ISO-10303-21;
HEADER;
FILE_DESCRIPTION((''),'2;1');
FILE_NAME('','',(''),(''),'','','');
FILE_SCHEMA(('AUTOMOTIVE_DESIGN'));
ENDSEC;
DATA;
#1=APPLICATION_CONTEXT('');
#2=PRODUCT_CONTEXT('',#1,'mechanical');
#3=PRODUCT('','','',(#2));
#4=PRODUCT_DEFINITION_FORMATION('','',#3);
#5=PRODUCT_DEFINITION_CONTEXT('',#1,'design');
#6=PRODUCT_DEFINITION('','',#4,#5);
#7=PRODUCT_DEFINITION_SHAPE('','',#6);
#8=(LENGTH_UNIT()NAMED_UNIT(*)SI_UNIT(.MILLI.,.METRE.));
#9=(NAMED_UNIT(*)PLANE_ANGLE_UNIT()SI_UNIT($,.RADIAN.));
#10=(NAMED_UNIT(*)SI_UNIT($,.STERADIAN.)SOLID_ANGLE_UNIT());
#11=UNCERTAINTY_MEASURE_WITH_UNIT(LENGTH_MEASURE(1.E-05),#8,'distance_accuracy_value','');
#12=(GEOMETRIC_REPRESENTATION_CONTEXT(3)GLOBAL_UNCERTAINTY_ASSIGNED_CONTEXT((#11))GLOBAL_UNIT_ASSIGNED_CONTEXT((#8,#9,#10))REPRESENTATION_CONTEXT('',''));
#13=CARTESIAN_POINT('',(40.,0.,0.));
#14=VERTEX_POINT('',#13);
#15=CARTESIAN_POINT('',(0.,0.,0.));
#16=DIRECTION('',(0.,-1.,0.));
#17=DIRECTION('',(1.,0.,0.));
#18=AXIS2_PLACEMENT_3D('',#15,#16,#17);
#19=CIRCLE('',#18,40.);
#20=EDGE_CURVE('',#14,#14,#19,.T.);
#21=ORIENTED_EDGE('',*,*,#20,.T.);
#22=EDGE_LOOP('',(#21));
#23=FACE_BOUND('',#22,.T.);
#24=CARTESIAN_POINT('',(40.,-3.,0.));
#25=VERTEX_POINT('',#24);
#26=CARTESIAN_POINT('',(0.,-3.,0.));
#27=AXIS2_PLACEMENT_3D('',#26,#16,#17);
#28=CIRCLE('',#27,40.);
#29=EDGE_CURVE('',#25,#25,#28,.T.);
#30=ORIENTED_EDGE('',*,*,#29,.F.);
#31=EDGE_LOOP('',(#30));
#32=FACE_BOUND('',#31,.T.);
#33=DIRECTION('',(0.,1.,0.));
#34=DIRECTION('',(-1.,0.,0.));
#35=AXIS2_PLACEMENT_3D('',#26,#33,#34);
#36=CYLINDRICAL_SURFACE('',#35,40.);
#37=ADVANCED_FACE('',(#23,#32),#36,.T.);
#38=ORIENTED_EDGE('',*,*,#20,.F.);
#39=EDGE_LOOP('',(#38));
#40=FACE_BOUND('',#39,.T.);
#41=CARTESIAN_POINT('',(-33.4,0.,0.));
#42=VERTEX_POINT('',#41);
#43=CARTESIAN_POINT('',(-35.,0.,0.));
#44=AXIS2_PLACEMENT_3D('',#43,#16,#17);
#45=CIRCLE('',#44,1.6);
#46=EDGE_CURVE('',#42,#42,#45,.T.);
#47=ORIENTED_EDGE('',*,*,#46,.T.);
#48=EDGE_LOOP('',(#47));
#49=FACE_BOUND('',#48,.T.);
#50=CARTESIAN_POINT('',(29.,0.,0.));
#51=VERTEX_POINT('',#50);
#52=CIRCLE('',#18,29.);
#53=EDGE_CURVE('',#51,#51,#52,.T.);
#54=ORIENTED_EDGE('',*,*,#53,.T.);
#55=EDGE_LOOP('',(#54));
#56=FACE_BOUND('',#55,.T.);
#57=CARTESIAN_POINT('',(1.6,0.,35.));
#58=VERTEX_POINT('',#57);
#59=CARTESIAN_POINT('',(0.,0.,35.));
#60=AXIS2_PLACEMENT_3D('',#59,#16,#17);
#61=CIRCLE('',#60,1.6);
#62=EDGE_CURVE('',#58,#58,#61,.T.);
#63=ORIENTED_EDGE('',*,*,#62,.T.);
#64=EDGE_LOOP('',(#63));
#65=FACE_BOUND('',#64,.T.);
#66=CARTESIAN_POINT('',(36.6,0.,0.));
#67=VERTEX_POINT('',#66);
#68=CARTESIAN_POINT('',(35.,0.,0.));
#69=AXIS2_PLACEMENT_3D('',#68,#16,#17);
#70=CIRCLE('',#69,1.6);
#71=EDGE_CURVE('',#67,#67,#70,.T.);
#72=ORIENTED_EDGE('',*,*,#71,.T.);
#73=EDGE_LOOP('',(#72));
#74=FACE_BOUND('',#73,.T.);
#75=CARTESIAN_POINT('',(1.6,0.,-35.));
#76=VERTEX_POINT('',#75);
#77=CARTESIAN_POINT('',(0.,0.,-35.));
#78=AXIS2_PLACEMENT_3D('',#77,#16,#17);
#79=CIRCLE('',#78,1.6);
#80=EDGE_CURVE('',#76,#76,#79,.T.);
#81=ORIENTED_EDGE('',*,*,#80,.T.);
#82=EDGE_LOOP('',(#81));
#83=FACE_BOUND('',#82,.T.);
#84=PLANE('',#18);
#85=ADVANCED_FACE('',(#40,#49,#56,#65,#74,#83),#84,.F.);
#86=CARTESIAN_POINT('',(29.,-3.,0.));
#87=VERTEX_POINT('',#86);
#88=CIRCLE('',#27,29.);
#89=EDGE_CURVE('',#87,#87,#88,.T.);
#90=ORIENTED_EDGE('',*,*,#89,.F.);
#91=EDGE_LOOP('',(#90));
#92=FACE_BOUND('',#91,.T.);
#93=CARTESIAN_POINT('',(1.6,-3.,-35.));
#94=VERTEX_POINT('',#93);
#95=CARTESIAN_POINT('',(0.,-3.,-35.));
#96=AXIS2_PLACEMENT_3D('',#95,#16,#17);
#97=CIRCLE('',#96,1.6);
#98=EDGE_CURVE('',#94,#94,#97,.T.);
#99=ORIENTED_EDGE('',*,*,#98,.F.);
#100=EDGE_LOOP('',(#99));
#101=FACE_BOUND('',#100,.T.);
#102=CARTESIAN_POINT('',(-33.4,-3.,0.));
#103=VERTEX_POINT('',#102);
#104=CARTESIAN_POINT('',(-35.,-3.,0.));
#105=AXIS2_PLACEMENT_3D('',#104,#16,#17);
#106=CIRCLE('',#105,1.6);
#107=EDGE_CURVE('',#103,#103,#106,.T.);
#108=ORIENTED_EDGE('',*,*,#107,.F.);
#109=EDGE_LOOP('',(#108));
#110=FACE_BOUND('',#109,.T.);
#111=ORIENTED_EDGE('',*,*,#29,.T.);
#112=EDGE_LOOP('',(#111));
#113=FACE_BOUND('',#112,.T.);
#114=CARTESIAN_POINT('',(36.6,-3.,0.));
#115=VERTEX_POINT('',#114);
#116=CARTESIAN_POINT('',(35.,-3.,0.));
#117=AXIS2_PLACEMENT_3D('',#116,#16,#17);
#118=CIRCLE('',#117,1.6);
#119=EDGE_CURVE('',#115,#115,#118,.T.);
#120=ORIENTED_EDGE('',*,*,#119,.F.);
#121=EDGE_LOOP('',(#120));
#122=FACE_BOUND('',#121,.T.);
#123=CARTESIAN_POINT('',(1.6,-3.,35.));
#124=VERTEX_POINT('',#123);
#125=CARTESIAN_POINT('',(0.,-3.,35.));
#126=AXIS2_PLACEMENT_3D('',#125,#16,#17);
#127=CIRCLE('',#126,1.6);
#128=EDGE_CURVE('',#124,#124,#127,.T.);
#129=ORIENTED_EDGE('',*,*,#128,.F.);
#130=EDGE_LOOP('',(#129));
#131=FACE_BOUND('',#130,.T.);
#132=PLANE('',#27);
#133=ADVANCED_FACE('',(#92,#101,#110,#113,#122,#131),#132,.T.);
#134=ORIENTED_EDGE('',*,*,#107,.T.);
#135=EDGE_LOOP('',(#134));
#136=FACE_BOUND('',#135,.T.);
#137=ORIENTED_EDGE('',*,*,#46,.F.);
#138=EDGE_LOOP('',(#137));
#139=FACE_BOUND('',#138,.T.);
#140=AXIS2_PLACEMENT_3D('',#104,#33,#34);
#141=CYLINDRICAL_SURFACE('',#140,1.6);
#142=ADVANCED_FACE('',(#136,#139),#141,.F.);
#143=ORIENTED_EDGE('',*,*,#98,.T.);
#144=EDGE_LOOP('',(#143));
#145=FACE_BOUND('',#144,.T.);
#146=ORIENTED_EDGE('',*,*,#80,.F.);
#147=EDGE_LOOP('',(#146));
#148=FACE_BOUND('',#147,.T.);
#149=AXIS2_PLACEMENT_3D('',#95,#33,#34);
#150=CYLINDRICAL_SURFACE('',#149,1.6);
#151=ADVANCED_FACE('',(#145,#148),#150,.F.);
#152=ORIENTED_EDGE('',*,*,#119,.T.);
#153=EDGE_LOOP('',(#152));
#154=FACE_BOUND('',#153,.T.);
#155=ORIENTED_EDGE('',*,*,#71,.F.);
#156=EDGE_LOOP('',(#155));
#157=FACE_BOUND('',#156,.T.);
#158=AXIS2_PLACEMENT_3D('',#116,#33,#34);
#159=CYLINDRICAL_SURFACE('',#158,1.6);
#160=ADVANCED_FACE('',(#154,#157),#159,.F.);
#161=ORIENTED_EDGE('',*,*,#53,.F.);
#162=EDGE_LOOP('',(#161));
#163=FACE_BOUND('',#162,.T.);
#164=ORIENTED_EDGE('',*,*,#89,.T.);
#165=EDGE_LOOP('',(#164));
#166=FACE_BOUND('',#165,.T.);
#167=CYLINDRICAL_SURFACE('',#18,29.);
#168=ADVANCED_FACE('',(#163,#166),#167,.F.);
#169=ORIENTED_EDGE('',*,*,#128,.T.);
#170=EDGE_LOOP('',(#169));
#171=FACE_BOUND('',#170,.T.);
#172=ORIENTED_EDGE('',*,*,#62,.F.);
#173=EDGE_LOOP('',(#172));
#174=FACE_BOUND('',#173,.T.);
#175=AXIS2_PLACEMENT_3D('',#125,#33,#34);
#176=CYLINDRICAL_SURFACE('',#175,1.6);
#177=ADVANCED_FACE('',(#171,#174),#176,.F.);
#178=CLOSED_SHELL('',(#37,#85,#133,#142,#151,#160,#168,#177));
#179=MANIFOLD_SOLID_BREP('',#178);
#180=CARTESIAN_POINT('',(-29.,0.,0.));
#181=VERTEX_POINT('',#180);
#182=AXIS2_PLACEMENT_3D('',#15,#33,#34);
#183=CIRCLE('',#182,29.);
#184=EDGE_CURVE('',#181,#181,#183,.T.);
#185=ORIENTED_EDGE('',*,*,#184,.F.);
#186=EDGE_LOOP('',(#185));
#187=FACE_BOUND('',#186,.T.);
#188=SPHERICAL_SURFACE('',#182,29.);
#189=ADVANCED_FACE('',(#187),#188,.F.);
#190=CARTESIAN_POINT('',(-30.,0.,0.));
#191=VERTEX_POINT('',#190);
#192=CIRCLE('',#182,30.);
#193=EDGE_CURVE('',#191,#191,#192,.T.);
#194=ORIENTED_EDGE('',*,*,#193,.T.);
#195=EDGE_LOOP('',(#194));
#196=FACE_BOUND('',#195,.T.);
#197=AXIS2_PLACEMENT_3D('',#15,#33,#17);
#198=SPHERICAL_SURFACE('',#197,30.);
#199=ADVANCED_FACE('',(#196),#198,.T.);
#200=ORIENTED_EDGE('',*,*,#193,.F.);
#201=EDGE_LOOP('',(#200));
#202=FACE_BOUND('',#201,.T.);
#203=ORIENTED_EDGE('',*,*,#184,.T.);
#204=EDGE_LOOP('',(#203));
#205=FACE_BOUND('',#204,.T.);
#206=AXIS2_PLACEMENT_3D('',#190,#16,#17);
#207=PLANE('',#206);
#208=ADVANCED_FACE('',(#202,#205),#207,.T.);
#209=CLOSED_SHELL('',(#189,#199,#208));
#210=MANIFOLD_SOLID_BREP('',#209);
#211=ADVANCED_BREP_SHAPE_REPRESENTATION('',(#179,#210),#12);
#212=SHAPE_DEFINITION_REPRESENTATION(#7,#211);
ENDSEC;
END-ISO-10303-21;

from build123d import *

# Parameters (mm, degrees)
SKETCH_2_R          = 40
SKETCH_2_R_2        = 28.5
SKETCH_2_R_3        = 1.6
EXTRUDE_1_DEPTH     = 3
SKETCH_3_R          = 29
CUT_EXTRUDE_1_DEPTH = 3


with BuildPart() as part:
    # 草图1 → 旋转1 (revolve)
    with BuildSketch(Plane.XY):
        with BuildLine():
            Line((-30, 0), (-29, 0))
            ThreePointArc((-29, 0), (-20.506096654, 20.506096654), (0, 29))
            Line((0, 29), (0, 30))
            ThreePointArc((0, 30), (-21.213203436, 21.213203436), (-30, 0))
        make_face()
    revolve(axis=Axis((0, 29, 0), (0, -1, 0)))


with BuildPart() as body_2:
    # 草图2 → 凸台-拉伸1 (new body)
    with BuildSketch(Plane.XZ):
        Circle(SKETCH_2_R)
        Circle(SKETCH_2_R_2, mode=Mode.SUBTRACT)
        with Locations((0, 35)):
            Circle(SKETCH_2_R_3, mode=Mode.SUBTRACT)
        with Locations((35, 0)):
            Circle(SKETCH_2_R_3, mode=Mode.SUBTRACT)
        with Locations((0, -35)):
            Circle(SKETCH_2_R_3, mode=Mode.SUBTRACT)
        with Locations((-35, 0)):
            Circle(SKETCH_2_R_3, mode=Mode.SUBTRACT)
    extrude(amount=EXTRUDE_1_DEPTH)

    # 草图3 → 切除-拉伸1 (cut)
    with BuildSketch(Plane.XZ.offset(3)):
        Circle(SKETCH_3_R)
    extrude(amount=-CUT_EXTRUDE_1_DEPTH, mode=Mode.SUBTRACT)


solid = Compound([part.part, body_2.part])
